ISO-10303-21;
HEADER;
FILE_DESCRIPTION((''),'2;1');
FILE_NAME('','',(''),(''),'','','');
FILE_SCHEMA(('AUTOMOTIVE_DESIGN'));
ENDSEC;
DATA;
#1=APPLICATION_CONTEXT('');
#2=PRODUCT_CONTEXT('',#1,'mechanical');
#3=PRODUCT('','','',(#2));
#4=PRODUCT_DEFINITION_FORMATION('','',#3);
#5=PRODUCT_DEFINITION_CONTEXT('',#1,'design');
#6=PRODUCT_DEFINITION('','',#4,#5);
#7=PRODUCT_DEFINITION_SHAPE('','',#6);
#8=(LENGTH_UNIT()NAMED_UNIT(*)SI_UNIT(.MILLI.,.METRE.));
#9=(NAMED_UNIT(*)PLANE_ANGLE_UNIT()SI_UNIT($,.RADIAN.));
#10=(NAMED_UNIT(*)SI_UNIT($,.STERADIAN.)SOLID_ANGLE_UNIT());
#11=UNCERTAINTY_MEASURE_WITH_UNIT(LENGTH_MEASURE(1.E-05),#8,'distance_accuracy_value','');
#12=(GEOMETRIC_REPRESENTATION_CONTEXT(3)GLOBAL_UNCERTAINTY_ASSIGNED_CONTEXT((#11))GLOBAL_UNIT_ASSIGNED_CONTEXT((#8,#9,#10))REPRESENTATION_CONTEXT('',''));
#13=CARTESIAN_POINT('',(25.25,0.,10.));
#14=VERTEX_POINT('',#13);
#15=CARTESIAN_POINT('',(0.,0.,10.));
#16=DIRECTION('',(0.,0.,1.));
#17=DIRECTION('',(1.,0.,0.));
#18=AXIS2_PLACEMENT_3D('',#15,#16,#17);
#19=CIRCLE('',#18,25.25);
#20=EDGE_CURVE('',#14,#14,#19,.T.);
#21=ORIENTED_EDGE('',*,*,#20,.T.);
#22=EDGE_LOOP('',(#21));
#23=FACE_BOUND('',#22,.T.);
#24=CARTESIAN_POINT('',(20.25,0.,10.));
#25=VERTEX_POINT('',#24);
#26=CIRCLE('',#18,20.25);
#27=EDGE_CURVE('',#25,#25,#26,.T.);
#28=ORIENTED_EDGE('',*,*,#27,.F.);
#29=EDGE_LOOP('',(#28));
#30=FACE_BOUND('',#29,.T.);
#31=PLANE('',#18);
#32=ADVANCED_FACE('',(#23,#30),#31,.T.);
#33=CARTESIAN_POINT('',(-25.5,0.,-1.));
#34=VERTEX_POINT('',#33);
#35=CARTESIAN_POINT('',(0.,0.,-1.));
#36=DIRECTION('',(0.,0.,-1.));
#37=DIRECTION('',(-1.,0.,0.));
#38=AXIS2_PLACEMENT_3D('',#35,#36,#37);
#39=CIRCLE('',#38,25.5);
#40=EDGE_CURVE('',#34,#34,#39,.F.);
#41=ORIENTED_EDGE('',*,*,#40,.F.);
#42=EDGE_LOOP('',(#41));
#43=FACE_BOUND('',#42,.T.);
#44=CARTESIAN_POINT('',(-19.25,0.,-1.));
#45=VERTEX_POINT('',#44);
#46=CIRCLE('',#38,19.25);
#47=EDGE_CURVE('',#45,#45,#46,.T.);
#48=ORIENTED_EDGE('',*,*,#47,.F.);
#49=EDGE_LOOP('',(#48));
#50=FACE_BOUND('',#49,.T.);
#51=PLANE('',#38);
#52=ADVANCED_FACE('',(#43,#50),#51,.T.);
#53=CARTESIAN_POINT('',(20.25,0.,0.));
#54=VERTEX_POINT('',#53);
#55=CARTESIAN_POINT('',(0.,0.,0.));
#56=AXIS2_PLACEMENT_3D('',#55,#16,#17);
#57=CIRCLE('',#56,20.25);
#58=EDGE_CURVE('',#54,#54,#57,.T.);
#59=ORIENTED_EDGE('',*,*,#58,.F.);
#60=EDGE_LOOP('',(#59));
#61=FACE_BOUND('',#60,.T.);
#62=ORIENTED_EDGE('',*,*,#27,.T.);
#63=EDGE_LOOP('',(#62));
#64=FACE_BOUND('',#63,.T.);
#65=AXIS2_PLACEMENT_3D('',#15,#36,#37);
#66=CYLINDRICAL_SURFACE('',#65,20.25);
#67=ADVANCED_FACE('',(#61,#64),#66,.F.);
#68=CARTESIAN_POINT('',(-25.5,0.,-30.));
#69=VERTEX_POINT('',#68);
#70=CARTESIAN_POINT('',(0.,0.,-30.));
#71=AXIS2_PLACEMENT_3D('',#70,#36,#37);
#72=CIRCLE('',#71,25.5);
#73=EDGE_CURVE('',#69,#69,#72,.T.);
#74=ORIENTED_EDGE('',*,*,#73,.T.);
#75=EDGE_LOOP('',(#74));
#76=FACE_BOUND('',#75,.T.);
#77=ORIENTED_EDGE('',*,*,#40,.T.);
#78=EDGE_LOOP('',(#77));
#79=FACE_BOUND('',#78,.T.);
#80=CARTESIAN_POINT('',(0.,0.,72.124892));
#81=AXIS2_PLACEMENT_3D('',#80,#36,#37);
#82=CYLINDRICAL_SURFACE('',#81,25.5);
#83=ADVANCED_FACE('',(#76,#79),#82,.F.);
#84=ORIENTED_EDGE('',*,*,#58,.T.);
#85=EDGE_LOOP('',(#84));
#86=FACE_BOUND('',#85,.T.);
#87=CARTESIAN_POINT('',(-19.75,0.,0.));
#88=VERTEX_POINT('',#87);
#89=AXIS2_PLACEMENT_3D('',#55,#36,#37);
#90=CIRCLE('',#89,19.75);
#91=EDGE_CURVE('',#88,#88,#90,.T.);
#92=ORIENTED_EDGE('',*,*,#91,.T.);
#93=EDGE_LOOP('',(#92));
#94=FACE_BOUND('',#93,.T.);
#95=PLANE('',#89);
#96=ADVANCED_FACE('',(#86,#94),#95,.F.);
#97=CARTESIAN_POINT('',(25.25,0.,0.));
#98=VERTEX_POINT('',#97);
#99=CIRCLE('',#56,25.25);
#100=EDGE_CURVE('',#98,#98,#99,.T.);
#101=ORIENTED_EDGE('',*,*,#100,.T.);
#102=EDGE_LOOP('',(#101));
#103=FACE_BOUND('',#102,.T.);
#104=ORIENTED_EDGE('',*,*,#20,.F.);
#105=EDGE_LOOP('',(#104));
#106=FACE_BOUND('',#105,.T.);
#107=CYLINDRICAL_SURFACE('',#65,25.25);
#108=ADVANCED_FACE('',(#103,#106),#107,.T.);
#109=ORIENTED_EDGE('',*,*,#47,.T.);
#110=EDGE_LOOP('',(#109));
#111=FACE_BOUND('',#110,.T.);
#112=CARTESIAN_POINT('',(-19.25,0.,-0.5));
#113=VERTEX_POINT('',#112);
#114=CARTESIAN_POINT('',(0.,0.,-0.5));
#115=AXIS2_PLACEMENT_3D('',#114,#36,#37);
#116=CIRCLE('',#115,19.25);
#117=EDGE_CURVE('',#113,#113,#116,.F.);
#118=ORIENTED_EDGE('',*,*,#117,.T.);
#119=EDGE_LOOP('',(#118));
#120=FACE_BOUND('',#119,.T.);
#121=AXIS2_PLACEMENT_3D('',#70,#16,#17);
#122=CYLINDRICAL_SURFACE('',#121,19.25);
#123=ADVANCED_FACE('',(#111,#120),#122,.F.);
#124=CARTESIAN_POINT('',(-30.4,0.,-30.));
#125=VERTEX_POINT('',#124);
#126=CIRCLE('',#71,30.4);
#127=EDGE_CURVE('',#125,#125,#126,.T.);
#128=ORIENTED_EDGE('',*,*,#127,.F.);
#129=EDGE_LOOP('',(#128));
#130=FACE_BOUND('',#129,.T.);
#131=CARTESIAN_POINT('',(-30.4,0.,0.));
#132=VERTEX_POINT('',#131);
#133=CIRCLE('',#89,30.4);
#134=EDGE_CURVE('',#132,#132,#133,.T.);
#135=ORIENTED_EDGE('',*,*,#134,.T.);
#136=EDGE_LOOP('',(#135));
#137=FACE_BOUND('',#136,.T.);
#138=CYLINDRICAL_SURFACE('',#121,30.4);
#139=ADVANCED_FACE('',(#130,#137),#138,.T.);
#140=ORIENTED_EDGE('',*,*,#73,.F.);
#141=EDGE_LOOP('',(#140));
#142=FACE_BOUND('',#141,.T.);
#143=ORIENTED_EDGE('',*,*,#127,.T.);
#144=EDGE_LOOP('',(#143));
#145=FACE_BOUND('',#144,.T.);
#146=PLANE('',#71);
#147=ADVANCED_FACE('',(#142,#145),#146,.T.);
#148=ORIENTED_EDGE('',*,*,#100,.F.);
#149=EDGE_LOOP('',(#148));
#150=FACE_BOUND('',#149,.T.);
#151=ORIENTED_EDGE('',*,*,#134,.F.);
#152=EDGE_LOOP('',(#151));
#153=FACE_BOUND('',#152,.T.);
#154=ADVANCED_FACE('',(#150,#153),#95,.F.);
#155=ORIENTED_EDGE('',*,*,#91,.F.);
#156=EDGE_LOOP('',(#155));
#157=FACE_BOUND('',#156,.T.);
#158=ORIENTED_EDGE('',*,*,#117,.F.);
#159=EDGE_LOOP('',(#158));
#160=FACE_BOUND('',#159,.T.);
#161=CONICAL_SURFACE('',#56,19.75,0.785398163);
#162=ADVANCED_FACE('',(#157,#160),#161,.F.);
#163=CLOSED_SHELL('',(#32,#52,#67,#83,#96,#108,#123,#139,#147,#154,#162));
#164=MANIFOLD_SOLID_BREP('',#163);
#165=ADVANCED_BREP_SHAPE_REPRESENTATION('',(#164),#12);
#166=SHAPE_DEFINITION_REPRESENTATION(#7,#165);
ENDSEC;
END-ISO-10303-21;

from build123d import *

# Parameters (mm, degrees)
SKETCH2_R           = 25.25
SKETCH2_R_2         = 20.25
BOSS_EXTRUDE1_DEPTH = 10
SKETCH3_R           = 30.4
SKETCH3_R_2         = 19.25
BOSS_EXTRUDE2_DEPTH = 30
SKETCH4_R           = 25.5
CUT_EXTRUDE1_DEPTH  = 29
CHAMFER2_SIZE       = 0.5


with BuildPart() as part:
    # Sketch2 → Boss-Extrude1 (new body)
    with BuildSketch(Plane.XY):
        Circle(SKETCH2_R)
        Circle(SKETCH2_R_2, mode=Mode.SUBTRACT)
    extrude(amount=BOSS_EXTRUDE1_DEPTH)

    # Sketch3 → Boss-Extrude2 (add)
    with BuildSketch(Plane(origin=(0, 0, 0), x_dir=(-1, 0, 0), z_dir=(0, 0, -1))):
        Circle(SKETCH3_R)
        Circle(SKETCH3_R_2, mode=Mode.SUBTRACT)
    extrude(amount=BOSS_EXTRUDE2_DEPTH)

    # Sketch4 → Cut-Extrude1 (cut)
    with BuildSketch(Plane(origin=(0, 0, -30), x_dir=(-1, 0, 0), z_dir=(0, 0, -1))):
        Circle(SKETCH4_R)
    extrude(amount=-CUT_EXTRUDE1_DEPTH, mode=Mode.SUBTRACT)

    # Chamfer2
    chamfer2_edges = [part.edges().sort_by_distance(p)[0] for p in [
        (19.25, 0, 0),
    ]]
    chamfer(chamfer2_edges, length=CHAMFER2_SIZE)


solid = part.part
